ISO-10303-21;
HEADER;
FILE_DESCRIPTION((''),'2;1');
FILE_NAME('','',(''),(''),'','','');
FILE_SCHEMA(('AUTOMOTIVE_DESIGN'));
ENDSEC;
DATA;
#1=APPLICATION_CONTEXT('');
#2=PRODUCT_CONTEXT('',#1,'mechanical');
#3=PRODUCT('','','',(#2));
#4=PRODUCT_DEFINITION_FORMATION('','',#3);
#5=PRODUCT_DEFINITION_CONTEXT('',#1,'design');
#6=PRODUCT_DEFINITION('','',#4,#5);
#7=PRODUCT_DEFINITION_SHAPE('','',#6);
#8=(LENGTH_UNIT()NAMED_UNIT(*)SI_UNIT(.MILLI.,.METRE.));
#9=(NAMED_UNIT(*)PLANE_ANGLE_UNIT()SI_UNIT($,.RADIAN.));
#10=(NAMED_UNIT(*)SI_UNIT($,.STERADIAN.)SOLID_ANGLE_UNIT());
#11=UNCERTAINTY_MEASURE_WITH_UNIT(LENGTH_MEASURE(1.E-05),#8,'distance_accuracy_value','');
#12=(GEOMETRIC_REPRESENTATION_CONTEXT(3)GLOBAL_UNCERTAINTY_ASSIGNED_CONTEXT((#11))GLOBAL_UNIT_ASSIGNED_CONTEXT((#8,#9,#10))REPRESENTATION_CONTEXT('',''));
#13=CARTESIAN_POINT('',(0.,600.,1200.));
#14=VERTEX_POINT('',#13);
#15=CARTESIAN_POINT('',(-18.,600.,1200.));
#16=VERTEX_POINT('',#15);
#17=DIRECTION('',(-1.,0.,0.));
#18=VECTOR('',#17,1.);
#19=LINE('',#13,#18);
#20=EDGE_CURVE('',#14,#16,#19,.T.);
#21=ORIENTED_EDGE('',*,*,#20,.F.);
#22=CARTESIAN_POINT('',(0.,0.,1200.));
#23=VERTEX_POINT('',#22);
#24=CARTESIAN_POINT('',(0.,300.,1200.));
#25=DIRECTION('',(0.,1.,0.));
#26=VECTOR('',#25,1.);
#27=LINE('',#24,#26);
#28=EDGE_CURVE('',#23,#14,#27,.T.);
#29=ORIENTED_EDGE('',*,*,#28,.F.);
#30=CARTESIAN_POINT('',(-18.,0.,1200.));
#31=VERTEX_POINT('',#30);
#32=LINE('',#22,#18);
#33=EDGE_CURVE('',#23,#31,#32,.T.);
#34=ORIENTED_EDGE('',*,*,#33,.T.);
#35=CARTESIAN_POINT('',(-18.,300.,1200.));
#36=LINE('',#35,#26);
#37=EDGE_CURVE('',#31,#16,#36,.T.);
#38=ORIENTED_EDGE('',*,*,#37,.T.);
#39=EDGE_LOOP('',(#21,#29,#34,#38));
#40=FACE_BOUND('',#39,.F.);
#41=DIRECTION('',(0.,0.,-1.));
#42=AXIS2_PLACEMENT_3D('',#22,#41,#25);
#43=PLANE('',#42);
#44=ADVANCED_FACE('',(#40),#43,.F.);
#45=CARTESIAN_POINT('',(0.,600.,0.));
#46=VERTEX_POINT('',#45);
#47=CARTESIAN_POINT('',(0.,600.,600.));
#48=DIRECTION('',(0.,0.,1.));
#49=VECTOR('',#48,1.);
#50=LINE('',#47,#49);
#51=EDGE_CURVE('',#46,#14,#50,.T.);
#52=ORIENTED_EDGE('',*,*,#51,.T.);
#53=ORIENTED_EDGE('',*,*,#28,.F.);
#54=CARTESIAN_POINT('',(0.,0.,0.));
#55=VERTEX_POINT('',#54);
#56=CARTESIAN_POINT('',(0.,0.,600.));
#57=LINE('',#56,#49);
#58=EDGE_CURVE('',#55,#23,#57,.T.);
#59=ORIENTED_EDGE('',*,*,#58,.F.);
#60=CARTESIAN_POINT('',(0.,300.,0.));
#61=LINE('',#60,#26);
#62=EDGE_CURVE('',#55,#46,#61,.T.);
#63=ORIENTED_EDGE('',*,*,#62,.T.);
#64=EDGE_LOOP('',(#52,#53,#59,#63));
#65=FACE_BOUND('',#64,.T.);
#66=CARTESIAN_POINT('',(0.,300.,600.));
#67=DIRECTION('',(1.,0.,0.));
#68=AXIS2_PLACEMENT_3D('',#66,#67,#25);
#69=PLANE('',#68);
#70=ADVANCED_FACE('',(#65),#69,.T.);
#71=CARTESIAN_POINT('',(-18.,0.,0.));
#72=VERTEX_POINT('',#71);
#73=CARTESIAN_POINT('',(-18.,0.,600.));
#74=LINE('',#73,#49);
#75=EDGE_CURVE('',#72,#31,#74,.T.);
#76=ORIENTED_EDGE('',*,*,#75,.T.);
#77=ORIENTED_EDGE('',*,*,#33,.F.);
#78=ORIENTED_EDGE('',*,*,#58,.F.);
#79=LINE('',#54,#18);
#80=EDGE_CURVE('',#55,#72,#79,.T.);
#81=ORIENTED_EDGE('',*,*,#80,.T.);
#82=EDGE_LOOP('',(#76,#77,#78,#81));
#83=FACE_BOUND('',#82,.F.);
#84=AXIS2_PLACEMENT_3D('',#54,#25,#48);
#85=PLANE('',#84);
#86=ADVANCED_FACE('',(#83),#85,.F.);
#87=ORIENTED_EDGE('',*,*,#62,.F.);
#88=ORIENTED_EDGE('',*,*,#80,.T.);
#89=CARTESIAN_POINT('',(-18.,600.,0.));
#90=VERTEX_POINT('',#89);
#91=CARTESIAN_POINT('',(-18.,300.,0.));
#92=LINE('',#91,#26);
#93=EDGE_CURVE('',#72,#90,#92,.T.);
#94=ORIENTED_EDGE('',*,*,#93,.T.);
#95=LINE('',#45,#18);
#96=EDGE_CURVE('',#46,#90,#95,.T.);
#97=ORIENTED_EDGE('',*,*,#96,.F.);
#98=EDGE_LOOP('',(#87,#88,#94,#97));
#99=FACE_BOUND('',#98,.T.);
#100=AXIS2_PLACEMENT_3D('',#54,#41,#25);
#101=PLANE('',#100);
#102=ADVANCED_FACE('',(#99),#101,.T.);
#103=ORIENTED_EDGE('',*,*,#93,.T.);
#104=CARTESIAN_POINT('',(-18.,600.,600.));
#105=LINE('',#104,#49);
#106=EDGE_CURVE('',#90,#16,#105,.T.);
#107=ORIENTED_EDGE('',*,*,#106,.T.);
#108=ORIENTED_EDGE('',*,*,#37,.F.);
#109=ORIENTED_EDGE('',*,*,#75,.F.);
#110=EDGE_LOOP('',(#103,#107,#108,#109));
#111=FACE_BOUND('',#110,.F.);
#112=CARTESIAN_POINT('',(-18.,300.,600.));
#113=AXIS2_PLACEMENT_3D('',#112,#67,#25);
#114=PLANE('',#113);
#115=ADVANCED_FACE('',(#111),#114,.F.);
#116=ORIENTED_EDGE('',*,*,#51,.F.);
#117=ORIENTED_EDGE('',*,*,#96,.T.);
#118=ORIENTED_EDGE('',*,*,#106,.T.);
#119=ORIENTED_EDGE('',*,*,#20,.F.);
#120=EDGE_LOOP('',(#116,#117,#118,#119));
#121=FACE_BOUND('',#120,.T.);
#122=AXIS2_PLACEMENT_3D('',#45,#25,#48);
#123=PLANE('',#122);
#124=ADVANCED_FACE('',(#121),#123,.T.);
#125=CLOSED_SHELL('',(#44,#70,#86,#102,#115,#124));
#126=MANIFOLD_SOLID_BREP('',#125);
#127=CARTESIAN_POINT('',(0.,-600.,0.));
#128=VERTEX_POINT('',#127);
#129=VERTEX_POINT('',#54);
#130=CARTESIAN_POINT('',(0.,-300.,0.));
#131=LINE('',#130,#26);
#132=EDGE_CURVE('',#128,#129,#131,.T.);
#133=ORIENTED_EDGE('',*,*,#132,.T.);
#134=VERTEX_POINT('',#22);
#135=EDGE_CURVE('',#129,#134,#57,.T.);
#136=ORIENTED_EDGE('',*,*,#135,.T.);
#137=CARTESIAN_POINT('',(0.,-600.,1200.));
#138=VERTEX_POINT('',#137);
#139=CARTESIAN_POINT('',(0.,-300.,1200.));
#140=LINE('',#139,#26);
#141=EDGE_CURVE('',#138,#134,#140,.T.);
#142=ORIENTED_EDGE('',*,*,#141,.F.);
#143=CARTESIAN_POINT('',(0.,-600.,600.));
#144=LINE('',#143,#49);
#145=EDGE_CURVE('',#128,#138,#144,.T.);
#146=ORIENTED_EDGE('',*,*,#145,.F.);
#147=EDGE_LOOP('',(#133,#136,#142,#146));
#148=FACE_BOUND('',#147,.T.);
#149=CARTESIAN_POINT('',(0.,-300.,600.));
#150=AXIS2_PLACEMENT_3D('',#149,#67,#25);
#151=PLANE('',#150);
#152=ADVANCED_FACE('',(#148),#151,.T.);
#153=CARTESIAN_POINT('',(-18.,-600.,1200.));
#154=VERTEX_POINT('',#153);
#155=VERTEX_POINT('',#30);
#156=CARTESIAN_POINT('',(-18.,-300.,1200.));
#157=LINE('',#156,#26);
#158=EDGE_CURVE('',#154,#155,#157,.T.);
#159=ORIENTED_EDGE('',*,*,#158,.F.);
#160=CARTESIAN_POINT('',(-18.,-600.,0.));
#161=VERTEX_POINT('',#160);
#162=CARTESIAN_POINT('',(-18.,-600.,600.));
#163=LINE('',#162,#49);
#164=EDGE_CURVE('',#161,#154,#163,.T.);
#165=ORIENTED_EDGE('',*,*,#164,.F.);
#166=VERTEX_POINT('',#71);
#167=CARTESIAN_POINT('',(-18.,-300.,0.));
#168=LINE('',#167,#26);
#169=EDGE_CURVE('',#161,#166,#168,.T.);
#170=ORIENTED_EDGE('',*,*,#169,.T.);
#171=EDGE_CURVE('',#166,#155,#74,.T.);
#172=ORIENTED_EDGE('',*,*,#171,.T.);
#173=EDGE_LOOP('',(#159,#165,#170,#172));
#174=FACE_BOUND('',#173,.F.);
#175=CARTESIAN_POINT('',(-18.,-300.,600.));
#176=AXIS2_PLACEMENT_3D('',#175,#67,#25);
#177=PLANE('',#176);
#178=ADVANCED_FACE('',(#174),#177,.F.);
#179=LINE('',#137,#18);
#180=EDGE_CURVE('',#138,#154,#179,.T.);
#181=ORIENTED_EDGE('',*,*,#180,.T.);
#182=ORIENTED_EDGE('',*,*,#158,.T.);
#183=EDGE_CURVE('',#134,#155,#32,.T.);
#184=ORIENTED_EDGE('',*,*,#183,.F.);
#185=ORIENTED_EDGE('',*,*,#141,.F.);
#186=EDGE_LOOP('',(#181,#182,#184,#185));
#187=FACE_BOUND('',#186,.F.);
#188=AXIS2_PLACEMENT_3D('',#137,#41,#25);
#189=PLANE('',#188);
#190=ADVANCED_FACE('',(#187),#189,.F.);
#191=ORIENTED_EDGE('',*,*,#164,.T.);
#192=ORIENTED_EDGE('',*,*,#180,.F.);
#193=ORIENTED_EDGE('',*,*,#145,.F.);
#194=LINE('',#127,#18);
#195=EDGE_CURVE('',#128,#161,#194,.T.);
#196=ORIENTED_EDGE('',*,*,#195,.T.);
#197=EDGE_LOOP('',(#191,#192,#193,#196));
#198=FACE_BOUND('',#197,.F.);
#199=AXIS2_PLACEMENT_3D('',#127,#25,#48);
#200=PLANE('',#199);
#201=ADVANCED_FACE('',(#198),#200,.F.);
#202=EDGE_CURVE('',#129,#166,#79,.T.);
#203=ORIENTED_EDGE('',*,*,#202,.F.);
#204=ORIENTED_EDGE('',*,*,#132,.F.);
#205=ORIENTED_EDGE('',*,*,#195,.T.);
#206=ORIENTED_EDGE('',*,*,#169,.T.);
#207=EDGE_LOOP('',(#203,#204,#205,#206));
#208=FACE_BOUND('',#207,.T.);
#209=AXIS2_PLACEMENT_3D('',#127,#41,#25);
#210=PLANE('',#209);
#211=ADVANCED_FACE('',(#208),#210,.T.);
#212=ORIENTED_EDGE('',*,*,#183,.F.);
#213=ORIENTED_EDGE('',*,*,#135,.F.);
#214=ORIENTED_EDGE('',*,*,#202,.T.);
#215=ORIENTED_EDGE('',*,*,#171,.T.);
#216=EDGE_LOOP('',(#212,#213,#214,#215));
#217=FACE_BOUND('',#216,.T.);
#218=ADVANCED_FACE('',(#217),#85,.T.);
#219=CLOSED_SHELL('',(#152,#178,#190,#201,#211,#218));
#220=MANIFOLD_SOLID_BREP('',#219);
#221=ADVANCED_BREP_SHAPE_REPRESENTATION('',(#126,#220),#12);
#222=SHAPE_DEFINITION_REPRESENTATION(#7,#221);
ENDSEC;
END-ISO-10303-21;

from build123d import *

# Parameters (mm, degrees)
F0_W     = 600
F0_H     = 1200
F1_DEPTH = 18
F2_DEPTH = 18


with BuildPart() as f1:
    # F0 (on Right) → F1 (new body)
    with BuildSketch(Plane.YZ):
        with Locations((-300, 600)):
            Rectangle(F0_W, F0_H)
    extrude(amount=-F1_DEPTH)


with BuildPart() as f2:
    # F0 (on Right) → F2 (new body)
    with BuildSketch(Plane.YZ):
        with Locations((300, 600)):
            Rectangle(F0_W, F0_H)
    extrude(amount=-F2_DEPTH)


solid = Compound([f1.part, f2.part])
